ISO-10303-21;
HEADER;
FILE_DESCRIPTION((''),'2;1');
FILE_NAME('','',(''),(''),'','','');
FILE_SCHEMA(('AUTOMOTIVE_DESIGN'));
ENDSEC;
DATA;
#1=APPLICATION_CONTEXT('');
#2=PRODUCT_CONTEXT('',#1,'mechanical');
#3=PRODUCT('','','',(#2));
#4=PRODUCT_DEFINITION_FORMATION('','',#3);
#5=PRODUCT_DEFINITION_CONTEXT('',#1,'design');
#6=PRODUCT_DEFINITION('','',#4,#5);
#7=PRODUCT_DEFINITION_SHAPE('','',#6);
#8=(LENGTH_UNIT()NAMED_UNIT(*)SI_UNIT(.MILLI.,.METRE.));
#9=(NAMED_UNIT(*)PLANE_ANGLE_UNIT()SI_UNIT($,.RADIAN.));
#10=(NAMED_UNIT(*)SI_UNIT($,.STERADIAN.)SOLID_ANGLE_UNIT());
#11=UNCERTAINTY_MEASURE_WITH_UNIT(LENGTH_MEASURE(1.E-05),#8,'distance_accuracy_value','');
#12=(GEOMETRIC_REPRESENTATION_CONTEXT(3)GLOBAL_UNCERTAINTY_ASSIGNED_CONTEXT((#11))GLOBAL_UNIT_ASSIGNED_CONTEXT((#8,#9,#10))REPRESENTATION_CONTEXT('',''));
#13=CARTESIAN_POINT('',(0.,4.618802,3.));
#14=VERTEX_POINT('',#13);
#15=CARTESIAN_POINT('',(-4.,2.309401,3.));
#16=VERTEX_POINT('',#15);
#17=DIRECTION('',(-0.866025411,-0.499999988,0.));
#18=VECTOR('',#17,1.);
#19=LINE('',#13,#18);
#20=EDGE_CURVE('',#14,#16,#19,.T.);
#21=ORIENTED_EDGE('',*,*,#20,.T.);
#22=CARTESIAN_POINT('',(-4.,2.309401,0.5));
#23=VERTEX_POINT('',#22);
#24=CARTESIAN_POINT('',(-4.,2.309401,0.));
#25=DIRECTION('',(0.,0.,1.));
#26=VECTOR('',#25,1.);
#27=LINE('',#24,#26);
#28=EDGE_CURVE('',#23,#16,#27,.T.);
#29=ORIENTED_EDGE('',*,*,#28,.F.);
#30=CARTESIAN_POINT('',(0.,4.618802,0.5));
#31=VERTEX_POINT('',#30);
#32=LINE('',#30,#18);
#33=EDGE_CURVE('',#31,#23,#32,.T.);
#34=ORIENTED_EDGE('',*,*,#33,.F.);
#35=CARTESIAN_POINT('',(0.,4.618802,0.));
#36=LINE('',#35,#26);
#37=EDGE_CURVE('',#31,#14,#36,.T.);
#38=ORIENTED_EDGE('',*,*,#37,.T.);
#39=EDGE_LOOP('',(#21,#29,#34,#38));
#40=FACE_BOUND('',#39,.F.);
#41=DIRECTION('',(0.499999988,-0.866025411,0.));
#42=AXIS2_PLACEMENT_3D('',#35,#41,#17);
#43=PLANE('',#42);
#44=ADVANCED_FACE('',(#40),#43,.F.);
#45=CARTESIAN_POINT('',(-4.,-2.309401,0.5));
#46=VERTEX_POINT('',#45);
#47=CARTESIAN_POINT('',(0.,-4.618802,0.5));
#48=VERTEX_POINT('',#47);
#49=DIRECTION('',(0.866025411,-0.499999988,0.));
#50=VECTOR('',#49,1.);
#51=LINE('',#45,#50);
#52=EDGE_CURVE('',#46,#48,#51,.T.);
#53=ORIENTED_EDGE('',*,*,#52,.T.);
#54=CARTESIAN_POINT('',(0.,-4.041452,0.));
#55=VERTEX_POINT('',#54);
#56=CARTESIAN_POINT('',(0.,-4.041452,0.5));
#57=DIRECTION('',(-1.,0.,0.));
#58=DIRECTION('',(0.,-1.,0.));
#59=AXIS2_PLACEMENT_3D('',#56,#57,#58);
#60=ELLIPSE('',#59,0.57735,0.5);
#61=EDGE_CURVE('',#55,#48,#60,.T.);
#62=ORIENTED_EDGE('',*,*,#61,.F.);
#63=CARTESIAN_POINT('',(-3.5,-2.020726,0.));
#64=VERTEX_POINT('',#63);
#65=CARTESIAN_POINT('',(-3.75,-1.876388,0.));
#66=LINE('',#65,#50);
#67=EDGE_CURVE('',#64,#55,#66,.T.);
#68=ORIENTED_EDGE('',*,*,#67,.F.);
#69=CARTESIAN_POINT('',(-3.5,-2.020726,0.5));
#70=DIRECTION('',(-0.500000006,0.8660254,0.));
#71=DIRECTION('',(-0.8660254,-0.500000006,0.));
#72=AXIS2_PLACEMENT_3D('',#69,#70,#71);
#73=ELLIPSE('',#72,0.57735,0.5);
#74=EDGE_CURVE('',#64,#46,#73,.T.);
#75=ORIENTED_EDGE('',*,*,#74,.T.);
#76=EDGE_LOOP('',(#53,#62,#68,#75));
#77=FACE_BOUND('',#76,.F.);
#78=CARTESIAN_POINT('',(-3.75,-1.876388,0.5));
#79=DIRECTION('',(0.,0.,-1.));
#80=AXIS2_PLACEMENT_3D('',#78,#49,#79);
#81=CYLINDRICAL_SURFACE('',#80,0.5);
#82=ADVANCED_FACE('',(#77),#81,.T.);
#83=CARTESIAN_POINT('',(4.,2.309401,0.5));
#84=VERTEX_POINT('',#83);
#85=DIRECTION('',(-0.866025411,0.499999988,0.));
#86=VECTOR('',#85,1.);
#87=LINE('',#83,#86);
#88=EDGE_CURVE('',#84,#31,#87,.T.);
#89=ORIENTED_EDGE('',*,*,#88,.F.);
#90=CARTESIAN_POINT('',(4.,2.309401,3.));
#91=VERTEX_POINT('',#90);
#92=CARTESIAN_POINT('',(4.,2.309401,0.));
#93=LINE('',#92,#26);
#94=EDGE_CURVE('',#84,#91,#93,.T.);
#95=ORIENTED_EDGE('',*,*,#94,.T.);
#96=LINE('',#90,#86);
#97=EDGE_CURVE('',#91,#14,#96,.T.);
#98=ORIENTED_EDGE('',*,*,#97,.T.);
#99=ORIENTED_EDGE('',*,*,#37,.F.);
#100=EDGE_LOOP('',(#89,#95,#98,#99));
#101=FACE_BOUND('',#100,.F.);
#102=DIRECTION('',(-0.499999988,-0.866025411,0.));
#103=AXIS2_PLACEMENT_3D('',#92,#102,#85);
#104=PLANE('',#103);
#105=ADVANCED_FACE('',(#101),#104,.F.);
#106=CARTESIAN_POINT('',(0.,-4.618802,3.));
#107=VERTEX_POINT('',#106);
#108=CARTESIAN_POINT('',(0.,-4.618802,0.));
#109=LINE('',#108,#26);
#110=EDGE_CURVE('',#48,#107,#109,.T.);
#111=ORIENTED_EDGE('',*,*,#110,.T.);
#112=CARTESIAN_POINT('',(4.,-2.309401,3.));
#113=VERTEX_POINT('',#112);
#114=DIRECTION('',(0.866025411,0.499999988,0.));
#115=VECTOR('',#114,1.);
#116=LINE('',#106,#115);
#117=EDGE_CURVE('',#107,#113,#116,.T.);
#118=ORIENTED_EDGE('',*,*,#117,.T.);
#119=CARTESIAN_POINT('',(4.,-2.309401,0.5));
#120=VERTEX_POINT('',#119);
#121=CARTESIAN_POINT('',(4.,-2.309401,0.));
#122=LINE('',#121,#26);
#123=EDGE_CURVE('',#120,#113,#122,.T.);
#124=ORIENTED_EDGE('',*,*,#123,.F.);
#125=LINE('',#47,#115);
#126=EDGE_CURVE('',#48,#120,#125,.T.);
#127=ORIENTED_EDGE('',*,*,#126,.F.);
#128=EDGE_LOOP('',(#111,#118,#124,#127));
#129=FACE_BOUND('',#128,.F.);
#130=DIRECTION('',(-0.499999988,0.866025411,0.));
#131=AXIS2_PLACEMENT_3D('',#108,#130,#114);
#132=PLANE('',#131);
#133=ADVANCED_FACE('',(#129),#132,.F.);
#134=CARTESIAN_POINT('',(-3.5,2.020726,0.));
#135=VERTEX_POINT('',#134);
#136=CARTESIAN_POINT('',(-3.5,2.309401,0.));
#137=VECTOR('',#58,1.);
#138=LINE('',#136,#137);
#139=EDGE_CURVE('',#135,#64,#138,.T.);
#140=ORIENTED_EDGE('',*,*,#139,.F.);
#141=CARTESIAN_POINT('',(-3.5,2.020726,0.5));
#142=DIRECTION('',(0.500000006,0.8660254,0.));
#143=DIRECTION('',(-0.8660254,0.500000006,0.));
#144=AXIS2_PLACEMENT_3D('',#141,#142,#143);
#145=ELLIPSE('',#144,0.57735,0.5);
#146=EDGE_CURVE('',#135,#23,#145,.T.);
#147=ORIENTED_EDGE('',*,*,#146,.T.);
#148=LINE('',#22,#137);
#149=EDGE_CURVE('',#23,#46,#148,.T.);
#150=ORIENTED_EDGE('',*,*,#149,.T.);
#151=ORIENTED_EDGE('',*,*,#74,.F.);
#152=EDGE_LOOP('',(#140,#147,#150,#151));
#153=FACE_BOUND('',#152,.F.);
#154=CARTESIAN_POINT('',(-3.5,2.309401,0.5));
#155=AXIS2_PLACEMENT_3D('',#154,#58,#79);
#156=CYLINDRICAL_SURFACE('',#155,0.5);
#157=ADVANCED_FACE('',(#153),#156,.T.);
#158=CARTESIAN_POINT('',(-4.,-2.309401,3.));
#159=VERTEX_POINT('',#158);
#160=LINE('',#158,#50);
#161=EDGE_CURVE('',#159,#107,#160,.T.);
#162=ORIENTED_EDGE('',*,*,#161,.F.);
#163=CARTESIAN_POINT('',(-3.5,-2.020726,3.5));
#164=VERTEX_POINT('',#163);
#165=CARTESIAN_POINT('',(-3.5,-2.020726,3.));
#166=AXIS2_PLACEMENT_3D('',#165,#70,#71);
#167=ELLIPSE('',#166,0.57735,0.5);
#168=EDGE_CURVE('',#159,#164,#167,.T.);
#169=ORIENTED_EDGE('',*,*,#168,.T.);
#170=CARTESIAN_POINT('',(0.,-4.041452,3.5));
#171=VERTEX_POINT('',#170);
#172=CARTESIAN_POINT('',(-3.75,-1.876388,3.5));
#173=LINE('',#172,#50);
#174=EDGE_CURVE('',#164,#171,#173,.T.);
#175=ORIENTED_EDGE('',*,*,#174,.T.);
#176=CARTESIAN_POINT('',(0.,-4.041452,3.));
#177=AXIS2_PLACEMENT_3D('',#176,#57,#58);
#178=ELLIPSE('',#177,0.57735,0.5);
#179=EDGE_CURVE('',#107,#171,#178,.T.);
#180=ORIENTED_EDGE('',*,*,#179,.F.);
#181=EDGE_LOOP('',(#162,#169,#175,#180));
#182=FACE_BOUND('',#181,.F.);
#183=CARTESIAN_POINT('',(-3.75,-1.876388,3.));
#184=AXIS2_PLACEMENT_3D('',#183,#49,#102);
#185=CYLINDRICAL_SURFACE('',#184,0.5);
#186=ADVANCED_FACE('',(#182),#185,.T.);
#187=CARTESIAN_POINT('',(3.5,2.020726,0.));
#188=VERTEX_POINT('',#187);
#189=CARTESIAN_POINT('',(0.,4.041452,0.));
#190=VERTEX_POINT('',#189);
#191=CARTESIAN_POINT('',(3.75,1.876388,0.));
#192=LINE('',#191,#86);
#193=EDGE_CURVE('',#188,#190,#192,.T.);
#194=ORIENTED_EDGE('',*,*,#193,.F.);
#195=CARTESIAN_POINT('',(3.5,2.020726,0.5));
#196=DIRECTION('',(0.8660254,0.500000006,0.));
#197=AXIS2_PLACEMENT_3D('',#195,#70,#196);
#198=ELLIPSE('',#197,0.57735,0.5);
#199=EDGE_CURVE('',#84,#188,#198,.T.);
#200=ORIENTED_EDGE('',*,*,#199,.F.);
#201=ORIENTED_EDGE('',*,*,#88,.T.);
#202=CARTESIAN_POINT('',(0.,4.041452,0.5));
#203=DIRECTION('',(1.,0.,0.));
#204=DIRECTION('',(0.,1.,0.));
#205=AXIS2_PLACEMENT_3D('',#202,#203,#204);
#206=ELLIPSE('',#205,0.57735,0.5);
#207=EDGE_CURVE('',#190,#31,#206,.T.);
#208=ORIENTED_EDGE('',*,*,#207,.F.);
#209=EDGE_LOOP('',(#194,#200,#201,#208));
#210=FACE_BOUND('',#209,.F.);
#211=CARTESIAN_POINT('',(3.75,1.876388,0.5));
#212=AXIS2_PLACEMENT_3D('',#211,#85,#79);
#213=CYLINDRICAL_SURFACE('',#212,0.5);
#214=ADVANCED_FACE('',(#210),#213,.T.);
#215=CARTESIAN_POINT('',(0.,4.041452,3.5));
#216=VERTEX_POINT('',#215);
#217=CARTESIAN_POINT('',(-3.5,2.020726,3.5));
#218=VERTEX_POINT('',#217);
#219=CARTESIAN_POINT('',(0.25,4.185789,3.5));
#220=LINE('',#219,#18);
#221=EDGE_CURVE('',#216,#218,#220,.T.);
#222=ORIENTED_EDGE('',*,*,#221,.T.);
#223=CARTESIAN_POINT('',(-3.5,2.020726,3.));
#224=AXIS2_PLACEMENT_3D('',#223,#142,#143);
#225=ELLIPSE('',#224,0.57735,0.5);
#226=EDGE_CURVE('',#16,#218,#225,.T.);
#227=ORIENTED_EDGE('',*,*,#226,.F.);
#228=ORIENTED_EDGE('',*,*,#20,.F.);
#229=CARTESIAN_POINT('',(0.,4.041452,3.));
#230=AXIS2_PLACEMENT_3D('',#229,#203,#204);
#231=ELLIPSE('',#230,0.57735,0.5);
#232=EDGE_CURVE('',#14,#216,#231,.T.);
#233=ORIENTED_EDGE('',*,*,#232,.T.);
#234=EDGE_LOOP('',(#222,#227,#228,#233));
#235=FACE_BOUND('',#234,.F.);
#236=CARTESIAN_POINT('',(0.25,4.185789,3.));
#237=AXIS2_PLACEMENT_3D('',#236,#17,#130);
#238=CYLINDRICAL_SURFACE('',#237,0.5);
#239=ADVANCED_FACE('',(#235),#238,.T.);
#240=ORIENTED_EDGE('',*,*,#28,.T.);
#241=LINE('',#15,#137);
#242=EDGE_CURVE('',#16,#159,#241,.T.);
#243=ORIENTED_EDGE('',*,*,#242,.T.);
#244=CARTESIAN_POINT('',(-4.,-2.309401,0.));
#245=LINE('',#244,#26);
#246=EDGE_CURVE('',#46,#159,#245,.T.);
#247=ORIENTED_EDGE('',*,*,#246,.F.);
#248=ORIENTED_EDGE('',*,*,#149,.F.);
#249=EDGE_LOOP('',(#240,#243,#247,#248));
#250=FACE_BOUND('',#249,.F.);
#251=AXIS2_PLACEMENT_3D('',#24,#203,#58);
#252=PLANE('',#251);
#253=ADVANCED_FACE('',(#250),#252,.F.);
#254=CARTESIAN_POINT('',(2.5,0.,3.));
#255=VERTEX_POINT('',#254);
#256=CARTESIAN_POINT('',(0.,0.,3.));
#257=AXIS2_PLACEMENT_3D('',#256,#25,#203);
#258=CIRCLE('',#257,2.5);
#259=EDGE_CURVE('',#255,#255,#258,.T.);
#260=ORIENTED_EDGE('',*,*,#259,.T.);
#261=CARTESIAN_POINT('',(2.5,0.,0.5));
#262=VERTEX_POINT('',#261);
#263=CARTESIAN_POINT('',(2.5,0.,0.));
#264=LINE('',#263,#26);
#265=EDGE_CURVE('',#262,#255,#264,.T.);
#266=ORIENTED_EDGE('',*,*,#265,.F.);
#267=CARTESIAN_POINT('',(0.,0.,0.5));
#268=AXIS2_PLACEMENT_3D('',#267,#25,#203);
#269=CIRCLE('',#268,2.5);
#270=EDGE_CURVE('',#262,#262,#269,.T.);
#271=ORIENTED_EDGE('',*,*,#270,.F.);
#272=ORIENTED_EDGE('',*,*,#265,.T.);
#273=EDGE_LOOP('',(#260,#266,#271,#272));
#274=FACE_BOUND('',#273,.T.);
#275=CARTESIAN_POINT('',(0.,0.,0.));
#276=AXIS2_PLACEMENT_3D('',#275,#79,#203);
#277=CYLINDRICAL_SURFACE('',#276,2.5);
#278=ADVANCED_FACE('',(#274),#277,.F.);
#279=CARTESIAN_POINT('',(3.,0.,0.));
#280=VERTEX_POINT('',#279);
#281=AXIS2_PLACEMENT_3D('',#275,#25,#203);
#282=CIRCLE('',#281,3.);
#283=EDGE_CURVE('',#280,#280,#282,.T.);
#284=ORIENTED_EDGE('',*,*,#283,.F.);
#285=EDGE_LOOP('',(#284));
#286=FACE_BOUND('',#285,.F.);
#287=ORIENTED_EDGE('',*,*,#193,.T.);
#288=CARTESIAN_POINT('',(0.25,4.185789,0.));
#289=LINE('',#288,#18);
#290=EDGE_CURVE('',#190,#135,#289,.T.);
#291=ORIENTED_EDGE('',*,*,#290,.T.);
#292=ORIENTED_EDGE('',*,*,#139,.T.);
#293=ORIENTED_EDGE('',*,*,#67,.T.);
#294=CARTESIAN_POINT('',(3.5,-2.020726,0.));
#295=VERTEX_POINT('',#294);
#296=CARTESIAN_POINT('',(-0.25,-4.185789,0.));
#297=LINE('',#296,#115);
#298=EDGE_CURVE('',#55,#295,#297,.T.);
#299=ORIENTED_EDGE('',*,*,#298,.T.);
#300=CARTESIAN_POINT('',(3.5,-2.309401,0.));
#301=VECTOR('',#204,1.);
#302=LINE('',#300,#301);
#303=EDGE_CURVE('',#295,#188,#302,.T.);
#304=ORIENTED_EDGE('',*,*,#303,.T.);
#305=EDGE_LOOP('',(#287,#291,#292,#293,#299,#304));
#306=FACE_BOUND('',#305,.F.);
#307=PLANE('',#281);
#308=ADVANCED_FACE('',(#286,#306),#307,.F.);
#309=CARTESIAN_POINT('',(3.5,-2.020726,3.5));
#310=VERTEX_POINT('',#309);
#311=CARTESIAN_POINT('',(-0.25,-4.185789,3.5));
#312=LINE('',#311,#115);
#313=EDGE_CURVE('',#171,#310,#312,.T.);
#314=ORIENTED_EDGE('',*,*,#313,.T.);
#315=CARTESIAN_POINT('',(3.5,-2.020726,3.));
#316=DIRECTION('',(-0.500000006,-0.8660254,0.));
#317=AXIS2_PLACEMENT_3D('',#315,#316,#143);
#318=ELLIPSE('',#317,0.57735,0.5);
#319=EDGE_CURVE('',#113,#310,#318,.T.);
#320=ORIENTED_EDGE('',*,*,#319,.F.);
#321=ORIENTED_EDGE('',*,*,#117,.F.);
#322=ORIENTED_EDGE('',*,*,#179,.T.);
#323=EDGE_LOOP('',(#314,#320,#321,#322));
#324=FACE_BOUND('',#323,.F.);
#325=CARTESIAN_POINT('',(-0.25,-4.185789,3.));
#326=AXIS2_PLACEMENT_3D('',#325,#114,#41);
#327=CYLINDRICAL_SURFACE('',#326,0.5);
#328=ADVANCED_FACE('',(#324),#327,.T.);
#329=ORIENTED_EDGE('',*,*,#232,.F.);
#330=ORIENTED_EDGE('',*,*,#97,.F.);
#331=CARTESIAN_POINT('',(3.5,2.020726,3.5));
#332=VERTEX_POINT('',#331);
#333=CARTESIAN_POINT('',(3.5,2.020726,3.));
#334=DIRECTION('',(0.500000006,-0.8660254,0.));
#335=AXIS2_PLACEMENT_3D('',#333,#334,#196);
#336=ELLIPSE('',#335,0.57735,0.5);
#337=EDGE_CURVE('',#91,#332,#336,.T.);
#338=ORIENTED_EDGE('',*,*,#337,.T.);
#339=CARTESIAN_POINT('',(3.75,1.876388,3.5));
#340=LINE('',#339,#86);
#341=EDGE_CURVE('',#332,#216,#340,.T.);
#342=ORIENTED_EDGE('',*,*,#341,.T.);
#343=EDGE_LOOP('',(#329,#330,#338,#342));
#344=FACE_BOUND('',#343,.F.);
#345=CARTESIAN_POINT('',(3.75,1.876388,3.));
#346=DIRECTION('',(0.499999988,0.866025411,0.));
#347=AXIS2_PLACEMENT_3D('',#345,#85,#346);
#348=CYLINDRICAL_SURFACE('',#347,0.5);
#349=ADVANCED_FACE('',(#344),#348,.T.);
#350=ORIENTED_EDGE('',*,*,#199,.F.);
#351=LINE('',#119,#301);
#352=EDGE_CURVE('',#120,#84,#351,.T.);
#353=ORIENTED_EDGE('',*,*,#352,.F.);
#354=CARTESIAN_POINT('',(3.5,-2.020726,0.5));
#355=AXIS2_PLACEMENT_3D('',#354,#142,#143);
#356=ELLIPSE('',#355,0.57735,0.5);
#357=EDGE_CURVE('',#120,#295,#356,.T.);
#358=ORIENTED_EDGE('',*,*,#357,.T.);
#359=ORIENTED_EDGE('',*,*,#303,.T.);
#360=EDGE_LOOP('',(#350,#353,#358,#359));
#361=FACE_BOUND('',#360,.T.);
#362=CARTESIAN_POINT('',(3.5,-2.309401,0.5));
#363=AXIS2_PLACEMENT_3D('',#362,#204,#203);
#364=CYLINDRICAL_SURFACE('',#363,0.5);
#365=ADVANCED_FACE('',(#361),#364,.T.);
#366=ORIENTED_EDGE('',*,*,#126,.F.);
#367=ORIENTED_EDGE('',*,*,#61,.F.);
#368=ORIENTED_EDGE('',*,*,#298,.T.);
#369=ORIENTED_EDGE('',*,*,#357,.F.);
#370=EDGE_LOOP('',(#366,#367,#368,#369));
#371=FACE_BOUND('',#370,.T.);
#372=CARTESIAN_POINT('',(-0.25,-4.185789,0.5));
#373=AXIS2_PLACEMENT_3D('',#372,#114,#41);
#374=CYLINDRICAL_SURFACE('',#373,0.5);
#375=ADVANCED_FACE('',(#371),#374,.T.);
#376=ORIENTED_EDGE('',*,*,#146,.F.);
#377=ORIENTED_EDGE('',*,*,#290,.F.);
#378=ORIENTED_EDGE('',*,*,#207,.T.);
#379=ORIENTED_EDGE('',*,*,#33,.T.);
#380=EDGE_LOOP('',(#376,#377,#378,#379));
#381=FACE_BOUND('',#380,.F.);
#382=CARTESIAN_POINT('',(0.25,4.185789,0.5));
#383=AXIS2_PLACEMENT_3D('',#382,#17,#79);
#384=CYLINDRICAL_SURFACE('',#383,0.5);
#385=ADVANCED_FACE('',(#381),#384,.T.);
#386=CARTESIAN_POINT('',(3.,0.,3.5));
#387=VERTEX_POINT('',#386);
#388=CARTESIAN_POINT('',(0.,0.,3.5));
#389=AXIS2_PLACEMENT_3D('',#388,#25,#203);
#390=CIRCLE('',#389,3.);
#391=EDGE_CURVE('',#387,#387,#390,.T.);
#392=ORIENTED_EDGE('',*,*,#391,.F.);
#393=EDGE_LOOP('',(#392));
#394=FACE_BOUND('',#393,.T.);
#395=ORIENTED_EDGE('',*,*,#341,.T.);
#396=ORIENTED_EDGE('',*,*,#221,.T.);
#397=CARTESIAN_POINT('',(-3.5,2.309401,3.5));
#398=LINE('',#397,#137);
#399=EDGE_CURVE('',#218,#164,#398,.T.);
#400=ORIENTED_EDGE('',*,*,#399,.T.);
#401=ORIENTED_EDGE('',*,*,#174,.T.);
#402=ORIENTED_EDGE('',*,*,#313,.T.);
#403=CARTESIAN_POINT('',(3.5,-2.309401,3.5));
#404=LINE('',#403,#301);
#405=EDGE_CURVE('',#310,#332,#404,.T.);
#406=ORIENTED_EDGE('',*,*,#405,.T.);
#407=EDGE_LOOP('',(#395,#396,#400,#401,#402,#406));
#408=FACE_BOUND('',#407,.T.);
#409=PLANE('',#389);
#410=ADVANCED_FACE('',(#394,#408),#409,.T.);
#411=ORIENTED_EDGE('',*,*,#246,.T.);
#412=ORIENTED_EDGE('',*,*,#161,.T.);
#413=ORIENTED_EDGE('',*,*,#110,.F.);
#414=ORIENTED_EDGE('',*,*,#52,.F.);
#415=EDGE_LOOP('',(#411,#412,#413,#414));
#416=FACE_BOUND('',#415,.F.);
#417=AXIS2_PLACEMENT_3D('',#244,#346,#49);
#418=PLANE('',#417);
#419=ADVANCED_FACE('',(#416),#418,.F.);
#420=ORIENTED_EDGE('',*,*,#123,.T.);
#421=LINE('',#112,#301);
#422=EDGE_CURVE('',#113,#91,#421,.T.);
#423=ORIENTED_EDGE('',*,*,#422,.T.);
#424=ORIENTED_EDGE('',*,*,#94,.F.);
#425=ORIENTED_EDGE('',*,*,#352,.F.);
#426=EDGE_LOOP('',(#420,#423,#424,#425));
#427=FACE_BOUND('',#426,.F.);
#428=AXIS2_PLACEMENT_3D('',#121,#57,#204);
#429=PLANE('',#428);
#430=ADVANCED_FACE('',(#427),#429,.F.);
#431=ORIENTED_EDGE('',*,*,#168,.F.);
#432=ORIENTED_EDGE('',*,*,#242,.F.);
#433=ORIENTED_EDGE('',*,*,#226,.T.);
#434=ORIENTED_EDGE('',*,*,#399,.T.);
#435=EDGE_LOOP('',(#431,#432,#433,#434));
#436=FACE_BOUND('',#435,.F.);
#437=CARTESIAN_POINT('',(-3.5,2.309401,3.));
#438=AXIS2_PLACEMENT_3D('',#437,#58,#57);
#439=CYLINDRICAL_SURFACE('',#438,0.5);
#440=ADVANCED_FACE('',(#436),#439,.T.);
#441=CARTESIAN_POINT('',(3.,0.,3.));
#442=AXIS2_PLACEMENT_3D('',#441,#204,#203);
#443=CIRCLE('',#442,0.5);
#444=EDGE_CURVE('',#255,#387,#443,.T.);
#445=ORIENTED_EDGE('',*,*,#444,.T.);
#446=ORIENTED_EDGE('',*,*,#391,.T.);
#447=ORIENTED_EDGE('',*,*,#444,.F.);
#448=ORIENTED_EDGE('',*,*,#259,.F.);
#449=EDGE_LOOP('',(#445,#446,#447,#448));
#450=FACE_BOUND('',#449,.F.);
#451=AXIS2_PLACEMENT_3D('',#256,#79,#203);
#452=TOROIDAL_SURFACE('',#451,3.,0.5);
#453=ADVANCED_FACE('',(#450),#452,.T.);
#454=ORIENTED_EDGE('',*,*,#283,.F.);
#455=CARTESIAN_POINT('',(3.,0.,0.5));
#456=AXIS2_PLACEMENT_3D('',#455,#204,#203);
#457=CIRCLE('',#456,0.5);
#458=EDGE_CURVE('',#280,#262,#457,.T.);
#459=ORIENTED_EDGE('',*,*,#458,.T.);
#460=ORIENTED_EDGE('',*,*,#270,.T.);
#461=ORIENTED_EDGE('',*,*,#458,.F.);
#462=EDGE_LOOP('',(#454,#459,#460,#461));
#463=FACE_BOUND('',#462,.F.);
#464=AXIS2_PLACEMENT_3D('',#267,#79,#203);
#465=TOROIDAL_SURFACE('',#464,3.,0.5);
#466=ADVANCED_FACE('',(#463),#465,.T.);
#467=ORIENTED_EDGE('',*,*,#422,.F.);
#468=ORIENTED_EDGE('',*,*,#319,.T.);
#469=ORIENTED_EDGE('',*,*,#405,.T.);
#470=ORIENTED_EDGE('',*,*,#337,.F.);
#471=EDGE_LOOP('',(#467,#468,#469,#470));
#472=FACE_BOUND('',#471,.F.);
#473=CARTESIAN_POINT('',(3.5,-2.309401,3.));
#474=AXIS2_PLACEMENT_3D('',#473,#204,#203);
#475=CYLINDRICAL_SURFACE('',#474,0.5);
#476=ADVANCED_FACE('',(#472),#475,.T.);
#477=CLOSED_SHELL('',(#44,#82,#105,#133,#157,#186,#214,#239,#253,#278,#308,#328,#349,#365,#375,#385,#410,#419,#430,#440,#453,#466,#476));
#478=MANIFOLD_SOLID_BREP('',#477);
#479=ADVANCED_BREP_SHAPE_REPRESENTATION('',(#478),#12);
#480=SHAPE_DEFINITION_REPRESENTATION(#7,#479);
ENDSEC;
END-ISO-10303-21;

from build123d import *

# Parameters (mm, degrees)
F0_R     = 2.5
F1_DEPTH = 3.5
F2_R     = 0.5
F3_R     = 0.5


with BuildPart() as f1:
    # F0 (on Top) → F1 (new body)
    with BuildSketch(Plane.XY):
        Polygon((4, -2.309401), (4, 2.309401), (0, 4.618802), (-4, 2.309401), (-4, -2.309401), (0, -4.618802), align=None)
        Circle(F0_R, mode=Mode.SUBTRACT)
    extrude(amount=F1_DEPTH)

    # F2
    f2_edges = [f1.edges().sort_by_distance(p)[0] for p in [
        (4, 0, 3.5),
        (2, 3.464102, 3.5),
        (-2, 3.464102, 3.5),
        (-4, 0, 3.5),
        (-2, -3.464102, 3.5),
        (2, -3.464102, 3.5),
        (-2.5, 0, 3.5),
    ]]
    fillet(f2_edges, radius=F2_R)

    # F3
    f3_edges = [f1.edges().sort_by_distance(p)[0] for p in [
        (4, 0, 0),
        (2, 3.464102, 0),
        (-2, 3.464102, 0),
        (-4, 0, 0),
        (-2, -3.464102, 0),
        (2, -3.464102, 0),
        (-2.5, 0, 0),
    ]]
    fillet(f3_edges, radius=F3_R)


solid = f1.part
